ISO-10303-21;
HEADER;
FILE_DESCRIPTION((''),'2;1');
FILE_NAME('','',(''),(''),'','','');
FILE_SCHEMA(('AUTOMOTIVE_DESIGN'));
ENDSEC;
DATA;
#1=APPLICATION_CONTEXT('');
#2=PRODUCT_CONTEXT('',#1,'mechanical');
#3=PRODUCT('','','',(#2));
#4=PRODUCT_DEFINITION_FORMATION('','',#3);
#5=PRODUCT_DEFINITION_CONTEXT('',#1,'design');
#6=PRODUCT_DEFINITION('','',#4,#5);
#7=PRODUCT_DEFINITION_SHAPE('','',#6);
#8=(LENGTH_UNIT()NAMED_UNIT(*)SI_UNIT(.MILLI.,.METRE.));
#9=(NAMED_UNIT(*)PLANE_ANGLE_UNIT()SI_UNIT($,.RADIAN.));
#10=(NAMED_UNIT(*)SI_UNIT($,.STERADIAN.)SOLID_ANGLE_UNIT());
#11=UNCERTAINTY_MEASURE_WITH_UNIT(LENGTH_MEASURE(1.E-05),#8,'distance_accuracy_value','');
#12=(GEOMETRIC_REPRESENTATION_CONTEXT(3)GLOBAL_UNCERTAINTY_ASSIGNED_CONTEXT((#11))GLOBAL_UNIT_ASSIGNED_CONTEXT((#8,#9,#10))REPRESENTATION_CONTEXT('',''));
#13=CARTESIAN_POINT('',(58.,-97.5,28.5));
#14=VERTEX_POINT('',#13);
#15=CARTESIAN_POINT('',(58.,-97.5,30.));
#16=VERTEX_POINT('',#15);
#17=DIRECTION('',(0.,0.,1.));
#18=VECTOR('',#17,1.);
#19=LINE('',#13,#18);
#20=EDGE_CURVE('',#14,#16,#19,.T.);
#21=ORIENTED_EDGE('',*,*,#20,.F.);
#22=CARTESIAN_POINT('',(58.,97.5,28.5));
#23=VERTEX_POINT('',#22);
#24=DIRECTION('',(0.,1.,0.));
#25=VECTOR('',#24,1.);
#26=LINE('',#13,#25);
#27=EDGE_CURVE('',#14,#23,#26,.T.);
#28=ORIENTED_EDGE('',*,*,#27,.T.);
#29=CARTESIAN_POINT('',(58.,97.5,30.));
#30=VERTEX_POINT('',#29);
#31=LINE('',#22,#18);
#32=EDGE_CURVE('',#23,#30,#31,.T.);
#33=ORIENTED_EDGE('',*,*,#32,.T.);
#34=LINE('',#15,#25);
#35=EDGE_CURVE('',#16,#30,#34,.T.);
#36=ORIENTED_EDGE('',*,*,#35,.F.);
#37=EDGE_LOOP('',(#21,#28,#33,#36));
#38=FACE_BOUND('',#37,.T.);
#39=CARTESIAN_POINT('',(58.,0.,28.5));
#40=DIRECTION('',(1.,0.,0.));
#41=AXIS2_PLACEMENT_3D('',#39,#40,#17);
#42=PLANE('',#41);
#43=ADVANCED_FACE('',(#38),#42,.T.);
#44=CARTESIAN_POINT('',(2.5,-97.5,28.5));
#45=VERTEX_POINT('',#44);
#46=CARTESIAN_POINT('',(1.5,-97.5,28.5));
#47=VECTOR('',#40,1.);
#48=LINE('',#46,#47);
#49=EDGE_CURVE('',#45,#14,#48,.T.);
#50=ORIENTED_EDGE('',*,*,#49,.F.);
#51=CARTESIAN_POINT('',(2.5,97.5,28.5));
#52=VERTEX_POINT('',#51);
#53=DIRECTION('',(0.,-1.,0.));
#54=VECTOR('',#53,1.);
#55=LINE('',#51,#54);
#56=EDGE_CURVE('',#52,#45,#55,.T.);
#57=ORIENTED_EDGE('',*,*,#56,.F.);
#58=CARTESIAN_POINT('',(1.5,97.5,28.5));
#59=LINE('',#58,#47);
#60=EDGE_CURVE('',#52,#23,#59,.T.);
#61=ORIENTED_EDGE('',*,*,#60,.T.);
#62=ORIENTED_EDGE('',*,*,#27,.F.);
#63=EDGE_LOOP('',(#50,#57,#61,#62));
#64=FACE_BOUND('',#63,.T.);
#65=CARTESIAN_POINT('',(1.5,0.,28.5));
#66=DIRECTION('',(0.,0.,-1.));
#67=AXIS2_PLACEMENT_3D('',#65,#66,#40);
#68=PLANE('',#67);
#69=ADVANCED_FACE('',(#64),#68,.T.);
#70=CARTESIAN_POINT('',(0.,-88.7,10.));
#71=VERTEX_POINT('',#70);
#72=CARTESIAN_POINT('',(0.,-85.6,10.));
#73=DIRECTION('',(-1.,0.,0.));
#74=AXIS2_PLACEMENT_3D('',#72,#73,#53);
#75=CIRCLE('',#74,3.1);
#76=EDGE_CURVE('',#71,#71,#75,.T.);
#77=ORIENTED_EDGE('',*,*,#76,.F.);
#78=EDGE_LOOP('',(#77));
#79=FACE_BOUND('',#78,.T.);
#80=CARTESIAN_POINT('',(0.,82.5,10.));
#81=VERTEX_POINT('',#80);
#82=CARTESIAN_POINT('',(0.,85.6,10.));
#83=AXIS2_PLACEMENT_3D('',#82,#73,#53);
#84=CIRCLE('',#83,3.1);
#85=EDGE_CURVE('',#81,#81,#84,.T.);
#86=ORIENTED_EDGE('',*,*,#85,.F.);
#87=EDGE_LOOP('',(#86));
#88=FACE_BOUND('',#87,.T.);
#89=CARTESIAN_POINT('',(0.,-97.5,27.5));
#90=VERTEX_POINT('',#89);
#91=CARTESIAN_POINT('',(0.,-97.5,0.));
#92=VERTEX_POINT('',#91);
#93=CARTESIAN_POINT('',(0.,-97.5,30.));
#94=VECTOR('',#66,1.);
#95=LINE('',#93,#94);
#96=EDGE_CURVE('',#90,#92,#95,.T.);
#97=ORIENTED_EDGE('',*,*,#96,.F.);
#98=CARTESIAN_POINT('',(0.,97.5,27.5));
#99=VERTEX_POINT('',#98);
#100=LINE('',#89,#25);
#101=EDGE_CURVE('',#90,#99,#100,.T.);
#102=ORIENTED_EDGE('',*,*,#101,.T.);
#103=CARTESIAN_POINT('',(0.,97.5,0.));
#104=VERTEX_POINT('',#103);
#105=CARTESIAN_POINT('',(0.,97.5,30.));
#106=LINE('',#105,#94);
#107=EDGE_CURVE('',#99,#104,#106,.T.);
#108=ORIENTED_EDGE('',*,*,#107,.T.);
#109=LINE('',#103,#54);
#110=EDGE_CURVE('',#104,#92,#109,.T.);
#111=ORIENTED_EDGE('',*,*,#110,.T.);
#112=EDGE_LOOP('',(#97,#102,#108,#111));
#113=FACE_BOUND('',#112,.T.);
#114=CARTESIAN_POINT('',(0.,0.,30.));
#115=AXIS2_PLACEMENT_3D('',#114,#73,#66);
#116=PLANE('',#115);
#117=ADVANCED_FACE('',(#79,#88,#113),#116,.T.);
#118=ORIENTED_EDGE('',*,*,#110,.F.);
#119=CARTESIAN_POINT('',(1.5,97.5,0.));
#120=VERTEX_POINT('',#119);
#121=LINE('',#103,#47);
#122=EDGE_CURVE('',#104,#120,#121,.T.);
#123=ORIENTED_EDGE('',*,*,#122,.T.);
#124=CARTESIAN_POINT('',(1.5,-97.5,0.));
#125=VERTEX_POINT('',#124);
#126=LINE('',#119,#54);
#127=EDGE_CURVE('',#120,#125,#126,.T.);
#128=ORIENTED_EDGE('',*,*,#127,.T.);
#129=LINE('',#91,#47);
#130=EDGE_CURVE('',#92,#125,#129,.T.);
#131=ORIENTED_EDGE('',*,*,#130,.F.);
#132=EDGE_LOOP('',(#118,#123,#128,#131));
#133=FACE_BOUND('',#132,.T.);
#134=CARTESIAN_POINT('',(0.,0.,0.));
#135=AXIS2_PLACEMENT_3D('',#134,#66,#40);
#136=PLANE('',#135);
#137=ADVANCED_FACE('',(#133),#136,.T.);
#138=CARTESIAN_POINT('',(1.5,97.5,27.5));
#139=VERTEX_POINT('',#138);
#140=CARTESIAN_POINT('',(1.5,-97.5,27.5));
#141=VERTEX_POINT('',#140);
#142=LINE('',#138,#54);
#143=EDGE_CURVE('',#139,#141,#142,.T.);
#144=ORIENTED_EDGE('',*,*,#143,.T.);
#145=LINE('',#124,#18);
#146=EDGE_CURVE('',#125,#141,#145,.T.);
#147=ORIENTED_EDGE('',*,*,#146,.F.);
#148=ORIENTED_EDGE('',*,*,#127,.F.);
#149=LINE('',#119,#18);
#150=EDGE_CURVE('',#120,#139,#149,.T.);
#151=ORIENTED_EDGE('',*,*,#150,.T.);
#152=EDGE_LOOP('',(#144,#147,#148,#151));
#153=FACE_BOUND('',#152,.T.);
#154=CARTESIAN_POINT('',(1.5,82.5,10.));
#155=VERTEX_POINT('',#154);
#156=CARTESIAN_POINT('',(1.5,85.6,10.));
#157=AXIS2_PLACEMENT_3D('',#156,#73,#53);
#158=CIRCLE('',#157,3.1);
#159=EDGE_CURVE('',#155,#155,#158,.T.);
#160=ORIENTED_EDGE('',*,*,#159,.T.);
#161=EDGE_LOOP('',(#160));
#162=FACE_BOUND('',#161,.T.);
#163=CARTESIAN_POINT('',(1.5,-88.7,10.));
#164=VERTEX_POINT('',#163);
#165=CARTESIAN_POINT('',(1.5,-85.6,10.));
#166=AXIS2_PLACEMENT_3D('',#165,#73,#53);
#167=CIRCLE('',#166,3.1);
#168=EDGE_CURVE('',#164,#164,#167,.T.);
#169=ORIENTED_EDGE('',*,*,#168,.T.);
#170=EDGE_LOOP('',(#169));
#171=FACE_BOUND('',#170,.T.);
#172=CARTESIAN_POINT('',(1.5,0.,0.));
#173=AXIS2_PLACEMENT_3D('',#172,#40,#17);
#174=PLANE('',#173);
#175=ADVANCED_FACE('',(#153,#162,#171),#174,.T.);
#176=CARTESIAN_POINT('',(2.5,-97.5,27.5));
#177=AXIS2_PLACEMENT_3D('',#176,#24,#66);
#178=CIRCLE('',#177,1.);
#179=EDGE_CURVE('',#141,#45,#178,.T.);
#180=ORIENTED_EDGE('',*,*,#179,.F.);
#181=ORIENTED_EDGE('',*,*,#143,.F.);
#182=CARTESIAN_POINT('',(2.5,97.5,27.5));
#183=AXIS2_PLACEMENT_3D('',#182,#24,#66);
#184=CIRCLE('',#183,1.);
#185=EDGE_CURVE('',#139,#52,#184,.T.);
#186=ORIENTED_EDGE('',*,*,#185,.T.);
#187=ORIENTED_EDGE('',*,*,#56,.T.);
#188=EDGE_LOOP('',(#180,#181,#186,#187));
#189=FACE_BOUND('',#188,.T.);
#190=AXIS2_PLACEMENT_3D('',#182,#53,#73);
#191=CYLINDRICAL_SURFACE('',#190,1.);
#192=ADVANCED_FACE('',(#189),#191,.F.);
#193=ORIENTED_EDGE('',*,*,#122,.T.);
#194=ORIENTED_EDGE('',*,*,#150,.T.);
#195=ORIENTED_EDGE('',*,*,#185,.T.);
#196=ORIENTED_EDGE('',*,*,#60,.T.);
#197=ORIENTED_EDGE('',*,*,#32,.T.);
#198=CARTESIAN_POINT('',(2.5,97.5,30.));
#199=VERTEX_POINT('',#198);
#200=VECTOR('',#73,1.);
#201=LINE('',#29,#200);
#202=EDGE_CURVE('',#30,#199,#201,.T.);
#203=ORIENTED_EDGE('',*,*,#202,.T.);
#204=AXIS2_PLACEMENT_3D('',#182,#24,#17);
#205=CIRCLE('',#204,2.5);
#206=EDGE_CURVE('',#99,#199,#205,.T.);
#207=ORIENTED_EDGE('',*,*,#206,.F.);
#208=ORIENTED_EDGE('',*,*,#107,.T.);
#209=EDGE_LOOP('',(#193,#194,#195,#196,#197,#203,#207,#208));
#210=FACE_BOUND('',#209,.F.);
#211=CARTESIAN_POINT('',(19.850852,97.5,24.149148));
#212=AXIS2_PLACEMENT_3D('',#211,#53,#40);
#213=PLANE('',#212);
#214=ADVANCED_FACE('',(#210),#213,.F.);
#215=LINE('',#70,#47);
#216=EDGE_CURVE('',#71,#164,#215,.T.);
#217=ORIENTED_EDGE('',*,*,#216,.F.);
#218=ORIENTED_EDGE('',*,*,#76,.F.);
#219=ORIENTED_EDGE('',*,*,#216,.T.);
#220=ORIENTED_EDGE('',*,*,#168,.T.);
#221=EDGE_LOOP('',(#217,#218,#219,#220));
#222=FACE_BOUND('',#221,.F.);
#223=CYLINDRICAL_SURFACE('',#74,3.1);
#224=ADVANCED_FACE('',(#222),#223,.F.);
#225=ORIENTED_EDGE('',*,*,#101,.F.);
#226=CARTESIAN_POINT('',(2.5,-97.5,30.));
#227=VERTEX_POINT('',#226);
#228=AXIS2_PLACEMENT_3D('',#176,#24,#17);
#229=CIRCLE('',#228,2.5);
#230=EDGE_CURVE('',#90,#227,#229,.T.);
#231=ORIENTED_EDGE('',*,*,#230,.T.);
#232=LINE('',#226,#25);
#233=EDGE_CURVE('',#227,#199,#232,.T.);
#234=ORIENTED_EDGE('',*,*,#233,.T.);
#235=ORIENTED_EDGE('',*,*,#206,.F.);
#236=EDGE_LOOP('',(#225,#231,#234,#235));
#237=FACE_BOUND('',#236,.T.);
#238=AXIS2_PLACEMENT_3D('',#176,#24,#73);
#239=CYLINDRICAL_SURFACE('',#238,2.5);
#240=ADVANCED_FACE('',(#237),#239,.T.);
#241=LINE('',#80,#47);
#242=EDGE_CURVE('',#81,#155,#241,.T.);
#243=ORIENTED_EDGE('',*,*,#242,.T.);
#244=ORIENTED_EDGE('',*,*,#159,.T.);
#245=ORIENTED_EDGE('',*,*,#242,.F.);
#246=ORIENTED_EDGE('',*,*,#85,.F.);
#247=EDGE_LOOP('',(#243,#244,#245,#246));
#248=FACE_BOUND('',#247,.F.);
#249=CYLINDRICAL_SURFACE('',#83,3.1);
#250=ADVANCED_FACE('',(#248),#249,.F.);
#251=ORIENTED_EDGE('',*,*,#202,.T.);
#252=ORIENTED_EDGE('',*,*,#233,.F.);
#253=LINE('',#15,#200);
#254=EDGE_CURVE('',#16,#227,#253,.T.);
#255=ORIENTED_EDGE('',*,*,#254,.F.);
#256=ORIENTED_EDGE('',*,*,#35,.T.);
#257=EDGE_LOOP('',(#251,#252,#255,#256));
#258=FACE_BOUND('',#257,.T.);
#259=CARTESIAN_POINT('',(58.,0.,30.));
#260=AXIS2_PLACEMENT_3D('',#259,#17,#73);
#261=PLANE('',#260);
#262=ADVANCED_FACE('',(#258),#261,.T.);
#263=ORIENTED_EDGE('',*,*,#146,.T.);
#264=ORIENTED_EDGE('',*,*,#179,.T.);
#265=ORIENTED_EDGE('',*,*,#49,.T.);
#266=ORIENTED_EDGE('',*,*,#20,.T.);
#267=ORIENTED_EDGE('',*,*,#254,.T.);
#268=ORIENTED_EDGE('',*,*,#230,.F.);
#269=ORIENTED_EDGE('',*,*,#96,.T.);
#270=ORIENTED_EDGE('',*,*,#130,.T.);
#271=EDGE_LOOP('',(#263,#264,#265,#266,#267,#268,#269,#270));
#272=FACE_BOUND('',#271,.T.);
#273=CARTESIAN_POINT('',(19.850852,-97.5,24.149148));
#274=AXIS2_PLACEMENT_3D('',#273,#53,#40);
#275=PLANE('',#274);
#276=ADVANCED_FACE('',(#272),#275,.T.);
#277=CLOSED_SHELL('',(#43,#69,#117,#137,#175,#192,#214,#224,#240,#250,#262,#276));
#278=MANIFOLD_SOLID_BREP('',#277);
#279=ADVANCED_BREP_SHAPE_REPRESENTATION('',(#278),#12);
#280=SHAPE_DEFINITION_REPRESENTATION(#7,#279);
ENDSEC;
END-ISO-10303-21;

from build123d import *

# Parameters (mm, degrees)
F1_DEPTH = 97.5
F2_R     = 3.1
F3_DEPTH = 25
F4_R     = 2.5
F5_R     = 1


with BuildPart() as f1:
    # F0 (on Front) → F1 (new body, symmetric)
    with BuildSketch(Plane.XZ):
        Polygon((0, 30), (0, 0), (1.5, 0), (1.5, 28.5), (58, 28.5), (58, 30), align=None)
    extrude(amount=F1_DEPTH, both=True)

    # F2 (on face) → F3 (cut)
    with BuildSketch(Plane(origin=(0, 0, 0), x_dir=(0, -1, 0), z_dir=(-1, 0, 0))):
        with Locations((-85.6, 10)):
            Circle(F2_R)
        with Locations((85.6, 10)):
            Circle(F2_R)
    extrude(amount=-F3_DEPTH, mode=Mode.SUBTRACT)

    # F4
    f4_edges = [f1.edges().sort_by_distance(p)[0] for p in [
        (0, 0, 30),
    ]]
    fillet(f4_edges, radius=F4_R)

    # F5
    f5_edges = [f1.edges().sort_by_distance(p)[0] for p in [
        (1.5, 0, 28.5),
    ]]
    fillet(f5_edges, radius=F5_R)


solid = f1.part
